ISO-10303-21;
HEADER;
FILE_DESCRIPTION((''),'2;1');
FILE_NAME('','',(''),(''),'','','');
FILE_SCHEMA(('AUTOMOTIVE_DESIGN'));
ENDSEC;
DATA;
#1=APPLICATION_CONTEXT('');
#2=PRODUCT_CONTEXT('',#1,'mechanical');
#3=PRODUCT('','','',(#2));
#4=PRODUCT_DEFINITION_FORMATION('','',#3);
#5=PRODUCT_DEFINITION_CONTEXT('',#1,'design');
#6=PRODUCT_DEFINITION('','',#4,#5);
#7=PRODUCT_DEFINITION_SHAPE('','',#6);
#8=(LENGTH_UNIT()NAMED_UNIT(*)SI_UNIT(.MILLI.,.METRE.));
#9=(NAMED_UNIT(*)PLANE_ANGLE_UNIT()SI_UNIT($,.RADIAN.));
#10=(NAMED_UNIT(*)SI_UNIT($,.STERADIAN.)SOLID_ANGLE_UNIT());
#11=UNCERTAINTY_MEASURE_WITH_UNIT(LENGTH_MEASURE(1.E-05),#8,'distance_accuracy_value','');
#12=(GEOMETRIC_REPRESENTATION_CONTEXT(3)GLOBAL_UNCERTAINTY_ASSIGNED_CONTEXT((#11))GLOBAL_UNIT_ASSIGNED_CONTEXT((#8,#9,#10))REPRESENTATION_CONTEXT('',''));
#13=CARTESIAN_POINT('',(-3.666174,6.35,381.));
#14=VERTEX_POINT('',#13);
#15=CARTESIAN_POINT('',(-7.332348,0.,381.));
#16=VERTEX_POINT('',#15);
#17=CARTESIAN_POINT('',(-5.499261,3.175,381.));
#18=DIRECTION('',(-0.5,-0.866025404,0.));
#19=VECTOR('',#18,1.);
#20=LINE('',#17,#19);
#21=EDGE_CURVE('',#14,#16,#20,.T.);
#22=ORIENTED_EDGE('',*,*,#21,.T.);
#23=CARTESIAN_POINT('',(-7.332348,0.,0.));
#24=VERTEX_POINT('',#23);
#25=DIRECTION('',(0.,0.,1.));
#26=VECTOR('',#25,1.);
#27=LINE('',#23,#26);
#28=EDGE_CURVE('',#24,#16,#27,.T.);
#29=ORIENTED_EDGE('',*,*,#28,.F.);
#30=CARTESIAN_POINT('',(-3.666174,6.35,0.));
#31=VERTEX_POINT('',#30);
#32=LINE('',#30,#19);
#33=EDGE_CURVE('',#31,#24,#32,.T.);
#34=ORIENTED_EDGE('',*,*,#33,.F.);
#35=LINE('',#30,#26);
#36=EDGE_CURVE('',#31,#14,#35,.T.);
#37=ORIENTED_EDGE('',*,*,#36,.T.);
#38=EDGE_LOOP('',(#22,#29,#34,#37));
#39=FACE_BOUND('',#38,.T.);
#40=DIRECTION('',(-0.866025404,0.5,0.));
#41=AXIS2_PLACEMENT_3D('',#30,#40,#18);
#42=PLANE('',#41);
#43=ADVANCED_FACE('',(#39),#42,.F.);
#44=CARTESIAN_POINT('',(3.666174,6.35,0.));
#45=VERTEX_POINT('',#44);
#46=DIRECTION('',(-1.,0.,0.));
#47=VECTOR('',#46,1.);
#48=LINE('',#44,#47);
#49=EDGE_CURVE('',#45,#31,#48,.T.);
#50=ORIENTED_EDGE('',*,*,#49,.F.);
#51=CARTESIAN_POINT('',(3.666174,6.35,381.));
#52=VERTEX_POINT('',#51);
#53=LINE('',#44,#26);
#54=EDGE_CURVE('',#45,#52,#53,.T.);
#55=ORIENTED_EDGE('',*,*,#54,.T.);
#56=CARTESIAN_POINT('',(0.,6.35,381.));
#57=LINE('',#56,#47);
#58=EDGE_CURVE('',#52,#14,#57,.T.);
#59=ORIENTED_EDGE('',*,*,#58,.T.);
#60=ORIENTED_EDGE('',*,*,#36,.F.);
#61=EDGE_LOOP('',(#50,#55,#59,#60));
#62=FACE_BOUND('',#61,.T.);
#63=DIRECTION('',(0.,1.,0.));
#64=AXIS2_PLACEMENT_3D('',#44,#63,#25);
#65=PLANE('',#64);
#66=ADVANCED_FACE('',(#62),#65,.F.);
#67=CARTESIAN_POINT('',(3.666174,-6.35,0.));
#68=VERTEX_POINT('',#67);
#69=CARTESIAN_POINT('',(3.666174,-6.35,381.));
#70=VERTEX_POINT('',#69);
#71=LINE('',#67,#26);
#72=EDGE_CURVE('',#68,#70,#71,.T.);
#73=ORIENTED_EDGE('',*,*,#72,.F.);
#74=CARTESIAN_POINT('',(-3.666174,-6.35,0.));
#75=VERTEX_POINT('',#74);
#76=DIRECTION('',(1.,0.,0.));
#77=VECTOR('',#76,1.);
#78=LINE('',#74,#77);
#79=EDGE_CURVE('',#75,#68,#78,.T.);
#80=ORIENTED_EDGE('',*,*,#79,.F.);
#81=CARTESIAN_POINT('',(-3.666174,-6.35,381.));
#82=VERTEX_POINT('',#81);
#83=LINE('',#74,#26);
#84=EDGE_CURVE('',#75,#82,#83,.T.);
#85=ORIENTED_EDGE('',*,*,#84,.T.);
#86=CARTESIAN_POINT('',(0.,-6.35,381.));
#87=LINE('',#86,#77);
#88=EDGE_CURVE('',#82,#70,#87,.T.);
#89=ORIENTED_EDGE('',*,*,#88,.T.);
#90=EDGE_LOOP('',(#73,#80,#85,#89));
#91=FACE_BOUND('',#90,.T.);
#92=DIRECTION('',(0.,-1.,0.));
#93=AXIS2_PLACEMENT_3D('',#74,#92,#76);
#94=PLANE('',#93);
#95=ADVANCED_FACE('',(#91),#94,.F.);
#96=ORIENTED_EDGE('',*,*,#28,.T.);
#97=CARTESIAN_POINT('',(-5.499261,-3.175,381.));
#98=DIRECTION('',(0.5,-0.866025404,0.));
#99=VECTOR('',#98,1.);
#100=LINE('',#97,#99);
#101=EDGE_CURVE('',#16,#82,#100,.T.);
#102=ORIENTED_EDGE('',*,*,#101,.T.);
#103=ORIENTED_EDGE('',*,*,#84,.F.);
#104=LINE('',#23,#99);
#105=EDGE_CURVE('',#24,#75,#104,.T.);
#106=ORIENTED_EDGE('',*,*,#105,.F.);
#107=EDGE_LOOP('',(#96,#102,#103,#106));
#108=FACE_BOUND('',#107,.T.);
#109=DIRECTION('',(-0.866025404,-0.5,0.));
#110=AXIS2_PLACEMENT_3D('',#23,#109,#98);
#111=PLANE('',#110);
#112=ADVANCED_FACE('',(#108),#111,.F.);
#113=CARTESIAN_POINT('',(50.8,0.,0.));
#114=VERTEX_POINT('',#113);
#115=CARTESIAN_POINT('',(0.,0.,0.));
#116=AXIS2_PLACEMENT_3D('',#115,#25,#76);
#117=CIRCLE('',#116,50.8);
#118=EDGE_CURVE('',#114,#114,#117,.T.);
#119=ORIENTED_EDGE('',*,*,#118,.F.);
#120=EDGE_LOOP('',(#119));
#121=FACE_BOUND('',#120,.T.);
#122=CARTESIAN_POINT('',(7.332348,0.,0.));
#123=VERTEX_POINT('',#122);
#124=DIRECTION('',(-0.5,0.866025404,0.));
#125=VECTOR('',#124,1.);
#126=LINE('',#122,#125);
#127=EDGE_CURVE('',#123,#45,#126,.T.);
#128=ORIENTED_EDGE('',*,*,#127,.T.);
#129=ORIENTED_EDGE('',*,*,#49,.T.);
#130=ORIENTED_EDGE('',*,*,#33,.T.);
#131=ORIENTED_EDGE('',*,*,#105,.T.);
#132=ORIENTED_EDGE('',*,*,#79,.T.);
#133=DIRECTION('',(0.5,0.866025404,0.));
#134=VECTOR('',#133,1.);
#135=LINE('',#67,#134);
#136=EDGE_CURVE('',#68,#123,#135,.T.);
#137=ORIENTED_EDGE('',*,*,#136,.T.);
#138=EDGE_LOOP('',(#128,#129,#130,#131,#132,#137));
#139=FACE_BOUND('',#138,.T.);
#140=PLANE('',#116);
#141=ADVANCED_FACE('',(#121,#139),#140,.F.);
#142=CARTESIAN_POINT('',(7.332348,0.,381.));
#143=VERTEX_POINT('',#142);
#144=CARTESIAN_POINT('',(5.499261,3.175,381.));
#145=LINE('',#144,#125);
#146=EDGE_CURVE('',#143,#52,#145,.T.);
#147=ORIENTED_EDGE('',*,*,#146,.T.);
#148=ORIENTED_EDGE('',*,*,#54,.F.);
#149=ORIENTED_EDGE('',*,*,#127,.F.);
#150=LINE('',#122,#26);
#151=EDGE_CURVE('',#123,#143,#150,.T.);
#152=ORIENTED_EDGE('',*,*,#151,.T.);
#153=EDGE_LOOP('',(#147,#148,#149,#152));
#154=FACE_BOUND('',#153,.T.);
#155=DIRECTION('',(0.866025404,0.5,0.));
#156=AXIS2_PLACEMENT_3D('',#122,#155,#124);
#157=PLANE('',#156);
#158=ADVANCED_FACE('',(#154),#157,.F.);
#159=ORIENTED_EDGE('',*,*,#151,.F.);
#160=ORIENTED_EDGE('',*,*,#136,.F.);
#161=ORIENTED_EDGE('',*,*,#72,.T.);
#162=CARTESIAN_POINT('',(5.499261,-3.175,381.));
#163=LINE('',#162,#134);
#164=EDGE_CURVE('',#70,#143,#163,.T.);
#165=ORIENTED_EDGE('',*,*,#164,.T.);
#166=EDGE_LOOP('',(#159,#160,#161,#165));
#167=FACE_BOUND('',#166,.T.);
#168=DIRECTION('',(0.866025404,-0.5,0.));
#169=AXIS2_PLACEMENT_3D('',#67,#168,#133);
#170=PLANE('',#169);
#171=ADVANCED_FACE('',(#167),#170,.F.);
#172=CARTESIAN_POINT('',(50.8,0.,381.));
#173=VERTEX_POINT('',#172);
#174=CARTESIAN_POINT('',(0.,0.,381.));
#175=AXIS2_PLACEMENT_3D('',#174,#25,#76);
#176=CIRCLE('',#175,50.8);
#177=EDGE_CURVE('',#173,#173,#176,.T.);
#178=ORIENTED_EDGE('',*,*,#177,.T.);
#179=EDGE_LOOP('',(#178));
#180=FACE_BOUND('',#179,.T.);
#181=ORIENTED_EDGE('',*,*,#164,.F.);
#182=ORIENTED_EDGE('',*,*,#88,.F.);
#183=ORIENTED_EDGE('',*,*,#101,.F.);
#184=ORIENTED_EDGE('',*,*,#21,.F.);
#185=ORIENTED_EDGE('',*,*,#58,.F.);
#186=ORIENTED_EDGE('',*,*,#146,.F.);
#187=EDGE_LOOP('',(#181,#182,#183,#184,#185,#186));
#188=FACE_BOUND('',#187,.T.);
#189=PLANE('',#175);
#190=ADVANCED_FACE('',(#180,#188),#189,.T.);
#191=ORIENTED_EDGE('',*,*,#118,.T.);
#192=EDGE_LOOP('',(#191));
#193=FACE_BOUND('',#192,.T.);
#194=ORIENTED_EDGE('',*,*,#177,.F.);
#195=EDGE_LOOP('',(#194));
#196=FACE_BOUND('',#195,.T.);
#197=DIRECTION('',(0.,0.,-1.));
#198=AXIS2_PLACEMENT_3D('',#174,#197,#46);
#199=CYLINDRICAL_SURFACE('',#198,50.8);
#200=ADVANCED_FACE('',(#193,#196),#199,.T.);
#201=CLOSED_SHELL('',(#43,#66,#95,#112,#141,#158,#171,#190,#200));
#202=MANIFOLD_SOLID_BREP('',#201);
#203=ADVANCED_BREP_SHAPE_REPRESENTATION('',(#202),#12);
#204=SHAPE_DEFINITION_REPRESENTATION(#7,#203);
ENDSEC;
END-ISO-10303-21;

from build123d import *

# Parameters (mm, degrees)
SKETCH1_R               = 50.8
BOSS_EXTRUDE1_DEPTH     = 381
CUT_EXTRUDE1_DEPTH      = 1
CUT_EXTRUDE1_DEPTH_BACK = 382


with BuildPart() as part:
    # Sketch1 → Boss-Extrude1 (new body)
    with BuildSketch(Plane.XY):
        Circle(SKETCH1_R)
    extrude(amount=BOSS_EXTRUDE1_DEPTH)

    # Sketch2 → Cut-Extrude1 (cut, two sides)
    with BuildSketch(Plane.XY.offset(381)) as cut_extrude1_sk:
        Polygon((3.666174209, 6.35), (-3.666174209, 6.35), (-7.332348419, 0), (-3.666174209, -6.35), (3.666174209, -6.35), (7.332348419, 0), align=None)
    extrude(amount=CUT_EXTRUDE1_DEPTH, mode=Mode.SUBTRACT)
    extrude(cut_extrude1_sk.sketch, amount=-CUT_EXTRUDE1_DEPTH_BACK, mode=Mode.SUBTRACT)


solid = part.part
